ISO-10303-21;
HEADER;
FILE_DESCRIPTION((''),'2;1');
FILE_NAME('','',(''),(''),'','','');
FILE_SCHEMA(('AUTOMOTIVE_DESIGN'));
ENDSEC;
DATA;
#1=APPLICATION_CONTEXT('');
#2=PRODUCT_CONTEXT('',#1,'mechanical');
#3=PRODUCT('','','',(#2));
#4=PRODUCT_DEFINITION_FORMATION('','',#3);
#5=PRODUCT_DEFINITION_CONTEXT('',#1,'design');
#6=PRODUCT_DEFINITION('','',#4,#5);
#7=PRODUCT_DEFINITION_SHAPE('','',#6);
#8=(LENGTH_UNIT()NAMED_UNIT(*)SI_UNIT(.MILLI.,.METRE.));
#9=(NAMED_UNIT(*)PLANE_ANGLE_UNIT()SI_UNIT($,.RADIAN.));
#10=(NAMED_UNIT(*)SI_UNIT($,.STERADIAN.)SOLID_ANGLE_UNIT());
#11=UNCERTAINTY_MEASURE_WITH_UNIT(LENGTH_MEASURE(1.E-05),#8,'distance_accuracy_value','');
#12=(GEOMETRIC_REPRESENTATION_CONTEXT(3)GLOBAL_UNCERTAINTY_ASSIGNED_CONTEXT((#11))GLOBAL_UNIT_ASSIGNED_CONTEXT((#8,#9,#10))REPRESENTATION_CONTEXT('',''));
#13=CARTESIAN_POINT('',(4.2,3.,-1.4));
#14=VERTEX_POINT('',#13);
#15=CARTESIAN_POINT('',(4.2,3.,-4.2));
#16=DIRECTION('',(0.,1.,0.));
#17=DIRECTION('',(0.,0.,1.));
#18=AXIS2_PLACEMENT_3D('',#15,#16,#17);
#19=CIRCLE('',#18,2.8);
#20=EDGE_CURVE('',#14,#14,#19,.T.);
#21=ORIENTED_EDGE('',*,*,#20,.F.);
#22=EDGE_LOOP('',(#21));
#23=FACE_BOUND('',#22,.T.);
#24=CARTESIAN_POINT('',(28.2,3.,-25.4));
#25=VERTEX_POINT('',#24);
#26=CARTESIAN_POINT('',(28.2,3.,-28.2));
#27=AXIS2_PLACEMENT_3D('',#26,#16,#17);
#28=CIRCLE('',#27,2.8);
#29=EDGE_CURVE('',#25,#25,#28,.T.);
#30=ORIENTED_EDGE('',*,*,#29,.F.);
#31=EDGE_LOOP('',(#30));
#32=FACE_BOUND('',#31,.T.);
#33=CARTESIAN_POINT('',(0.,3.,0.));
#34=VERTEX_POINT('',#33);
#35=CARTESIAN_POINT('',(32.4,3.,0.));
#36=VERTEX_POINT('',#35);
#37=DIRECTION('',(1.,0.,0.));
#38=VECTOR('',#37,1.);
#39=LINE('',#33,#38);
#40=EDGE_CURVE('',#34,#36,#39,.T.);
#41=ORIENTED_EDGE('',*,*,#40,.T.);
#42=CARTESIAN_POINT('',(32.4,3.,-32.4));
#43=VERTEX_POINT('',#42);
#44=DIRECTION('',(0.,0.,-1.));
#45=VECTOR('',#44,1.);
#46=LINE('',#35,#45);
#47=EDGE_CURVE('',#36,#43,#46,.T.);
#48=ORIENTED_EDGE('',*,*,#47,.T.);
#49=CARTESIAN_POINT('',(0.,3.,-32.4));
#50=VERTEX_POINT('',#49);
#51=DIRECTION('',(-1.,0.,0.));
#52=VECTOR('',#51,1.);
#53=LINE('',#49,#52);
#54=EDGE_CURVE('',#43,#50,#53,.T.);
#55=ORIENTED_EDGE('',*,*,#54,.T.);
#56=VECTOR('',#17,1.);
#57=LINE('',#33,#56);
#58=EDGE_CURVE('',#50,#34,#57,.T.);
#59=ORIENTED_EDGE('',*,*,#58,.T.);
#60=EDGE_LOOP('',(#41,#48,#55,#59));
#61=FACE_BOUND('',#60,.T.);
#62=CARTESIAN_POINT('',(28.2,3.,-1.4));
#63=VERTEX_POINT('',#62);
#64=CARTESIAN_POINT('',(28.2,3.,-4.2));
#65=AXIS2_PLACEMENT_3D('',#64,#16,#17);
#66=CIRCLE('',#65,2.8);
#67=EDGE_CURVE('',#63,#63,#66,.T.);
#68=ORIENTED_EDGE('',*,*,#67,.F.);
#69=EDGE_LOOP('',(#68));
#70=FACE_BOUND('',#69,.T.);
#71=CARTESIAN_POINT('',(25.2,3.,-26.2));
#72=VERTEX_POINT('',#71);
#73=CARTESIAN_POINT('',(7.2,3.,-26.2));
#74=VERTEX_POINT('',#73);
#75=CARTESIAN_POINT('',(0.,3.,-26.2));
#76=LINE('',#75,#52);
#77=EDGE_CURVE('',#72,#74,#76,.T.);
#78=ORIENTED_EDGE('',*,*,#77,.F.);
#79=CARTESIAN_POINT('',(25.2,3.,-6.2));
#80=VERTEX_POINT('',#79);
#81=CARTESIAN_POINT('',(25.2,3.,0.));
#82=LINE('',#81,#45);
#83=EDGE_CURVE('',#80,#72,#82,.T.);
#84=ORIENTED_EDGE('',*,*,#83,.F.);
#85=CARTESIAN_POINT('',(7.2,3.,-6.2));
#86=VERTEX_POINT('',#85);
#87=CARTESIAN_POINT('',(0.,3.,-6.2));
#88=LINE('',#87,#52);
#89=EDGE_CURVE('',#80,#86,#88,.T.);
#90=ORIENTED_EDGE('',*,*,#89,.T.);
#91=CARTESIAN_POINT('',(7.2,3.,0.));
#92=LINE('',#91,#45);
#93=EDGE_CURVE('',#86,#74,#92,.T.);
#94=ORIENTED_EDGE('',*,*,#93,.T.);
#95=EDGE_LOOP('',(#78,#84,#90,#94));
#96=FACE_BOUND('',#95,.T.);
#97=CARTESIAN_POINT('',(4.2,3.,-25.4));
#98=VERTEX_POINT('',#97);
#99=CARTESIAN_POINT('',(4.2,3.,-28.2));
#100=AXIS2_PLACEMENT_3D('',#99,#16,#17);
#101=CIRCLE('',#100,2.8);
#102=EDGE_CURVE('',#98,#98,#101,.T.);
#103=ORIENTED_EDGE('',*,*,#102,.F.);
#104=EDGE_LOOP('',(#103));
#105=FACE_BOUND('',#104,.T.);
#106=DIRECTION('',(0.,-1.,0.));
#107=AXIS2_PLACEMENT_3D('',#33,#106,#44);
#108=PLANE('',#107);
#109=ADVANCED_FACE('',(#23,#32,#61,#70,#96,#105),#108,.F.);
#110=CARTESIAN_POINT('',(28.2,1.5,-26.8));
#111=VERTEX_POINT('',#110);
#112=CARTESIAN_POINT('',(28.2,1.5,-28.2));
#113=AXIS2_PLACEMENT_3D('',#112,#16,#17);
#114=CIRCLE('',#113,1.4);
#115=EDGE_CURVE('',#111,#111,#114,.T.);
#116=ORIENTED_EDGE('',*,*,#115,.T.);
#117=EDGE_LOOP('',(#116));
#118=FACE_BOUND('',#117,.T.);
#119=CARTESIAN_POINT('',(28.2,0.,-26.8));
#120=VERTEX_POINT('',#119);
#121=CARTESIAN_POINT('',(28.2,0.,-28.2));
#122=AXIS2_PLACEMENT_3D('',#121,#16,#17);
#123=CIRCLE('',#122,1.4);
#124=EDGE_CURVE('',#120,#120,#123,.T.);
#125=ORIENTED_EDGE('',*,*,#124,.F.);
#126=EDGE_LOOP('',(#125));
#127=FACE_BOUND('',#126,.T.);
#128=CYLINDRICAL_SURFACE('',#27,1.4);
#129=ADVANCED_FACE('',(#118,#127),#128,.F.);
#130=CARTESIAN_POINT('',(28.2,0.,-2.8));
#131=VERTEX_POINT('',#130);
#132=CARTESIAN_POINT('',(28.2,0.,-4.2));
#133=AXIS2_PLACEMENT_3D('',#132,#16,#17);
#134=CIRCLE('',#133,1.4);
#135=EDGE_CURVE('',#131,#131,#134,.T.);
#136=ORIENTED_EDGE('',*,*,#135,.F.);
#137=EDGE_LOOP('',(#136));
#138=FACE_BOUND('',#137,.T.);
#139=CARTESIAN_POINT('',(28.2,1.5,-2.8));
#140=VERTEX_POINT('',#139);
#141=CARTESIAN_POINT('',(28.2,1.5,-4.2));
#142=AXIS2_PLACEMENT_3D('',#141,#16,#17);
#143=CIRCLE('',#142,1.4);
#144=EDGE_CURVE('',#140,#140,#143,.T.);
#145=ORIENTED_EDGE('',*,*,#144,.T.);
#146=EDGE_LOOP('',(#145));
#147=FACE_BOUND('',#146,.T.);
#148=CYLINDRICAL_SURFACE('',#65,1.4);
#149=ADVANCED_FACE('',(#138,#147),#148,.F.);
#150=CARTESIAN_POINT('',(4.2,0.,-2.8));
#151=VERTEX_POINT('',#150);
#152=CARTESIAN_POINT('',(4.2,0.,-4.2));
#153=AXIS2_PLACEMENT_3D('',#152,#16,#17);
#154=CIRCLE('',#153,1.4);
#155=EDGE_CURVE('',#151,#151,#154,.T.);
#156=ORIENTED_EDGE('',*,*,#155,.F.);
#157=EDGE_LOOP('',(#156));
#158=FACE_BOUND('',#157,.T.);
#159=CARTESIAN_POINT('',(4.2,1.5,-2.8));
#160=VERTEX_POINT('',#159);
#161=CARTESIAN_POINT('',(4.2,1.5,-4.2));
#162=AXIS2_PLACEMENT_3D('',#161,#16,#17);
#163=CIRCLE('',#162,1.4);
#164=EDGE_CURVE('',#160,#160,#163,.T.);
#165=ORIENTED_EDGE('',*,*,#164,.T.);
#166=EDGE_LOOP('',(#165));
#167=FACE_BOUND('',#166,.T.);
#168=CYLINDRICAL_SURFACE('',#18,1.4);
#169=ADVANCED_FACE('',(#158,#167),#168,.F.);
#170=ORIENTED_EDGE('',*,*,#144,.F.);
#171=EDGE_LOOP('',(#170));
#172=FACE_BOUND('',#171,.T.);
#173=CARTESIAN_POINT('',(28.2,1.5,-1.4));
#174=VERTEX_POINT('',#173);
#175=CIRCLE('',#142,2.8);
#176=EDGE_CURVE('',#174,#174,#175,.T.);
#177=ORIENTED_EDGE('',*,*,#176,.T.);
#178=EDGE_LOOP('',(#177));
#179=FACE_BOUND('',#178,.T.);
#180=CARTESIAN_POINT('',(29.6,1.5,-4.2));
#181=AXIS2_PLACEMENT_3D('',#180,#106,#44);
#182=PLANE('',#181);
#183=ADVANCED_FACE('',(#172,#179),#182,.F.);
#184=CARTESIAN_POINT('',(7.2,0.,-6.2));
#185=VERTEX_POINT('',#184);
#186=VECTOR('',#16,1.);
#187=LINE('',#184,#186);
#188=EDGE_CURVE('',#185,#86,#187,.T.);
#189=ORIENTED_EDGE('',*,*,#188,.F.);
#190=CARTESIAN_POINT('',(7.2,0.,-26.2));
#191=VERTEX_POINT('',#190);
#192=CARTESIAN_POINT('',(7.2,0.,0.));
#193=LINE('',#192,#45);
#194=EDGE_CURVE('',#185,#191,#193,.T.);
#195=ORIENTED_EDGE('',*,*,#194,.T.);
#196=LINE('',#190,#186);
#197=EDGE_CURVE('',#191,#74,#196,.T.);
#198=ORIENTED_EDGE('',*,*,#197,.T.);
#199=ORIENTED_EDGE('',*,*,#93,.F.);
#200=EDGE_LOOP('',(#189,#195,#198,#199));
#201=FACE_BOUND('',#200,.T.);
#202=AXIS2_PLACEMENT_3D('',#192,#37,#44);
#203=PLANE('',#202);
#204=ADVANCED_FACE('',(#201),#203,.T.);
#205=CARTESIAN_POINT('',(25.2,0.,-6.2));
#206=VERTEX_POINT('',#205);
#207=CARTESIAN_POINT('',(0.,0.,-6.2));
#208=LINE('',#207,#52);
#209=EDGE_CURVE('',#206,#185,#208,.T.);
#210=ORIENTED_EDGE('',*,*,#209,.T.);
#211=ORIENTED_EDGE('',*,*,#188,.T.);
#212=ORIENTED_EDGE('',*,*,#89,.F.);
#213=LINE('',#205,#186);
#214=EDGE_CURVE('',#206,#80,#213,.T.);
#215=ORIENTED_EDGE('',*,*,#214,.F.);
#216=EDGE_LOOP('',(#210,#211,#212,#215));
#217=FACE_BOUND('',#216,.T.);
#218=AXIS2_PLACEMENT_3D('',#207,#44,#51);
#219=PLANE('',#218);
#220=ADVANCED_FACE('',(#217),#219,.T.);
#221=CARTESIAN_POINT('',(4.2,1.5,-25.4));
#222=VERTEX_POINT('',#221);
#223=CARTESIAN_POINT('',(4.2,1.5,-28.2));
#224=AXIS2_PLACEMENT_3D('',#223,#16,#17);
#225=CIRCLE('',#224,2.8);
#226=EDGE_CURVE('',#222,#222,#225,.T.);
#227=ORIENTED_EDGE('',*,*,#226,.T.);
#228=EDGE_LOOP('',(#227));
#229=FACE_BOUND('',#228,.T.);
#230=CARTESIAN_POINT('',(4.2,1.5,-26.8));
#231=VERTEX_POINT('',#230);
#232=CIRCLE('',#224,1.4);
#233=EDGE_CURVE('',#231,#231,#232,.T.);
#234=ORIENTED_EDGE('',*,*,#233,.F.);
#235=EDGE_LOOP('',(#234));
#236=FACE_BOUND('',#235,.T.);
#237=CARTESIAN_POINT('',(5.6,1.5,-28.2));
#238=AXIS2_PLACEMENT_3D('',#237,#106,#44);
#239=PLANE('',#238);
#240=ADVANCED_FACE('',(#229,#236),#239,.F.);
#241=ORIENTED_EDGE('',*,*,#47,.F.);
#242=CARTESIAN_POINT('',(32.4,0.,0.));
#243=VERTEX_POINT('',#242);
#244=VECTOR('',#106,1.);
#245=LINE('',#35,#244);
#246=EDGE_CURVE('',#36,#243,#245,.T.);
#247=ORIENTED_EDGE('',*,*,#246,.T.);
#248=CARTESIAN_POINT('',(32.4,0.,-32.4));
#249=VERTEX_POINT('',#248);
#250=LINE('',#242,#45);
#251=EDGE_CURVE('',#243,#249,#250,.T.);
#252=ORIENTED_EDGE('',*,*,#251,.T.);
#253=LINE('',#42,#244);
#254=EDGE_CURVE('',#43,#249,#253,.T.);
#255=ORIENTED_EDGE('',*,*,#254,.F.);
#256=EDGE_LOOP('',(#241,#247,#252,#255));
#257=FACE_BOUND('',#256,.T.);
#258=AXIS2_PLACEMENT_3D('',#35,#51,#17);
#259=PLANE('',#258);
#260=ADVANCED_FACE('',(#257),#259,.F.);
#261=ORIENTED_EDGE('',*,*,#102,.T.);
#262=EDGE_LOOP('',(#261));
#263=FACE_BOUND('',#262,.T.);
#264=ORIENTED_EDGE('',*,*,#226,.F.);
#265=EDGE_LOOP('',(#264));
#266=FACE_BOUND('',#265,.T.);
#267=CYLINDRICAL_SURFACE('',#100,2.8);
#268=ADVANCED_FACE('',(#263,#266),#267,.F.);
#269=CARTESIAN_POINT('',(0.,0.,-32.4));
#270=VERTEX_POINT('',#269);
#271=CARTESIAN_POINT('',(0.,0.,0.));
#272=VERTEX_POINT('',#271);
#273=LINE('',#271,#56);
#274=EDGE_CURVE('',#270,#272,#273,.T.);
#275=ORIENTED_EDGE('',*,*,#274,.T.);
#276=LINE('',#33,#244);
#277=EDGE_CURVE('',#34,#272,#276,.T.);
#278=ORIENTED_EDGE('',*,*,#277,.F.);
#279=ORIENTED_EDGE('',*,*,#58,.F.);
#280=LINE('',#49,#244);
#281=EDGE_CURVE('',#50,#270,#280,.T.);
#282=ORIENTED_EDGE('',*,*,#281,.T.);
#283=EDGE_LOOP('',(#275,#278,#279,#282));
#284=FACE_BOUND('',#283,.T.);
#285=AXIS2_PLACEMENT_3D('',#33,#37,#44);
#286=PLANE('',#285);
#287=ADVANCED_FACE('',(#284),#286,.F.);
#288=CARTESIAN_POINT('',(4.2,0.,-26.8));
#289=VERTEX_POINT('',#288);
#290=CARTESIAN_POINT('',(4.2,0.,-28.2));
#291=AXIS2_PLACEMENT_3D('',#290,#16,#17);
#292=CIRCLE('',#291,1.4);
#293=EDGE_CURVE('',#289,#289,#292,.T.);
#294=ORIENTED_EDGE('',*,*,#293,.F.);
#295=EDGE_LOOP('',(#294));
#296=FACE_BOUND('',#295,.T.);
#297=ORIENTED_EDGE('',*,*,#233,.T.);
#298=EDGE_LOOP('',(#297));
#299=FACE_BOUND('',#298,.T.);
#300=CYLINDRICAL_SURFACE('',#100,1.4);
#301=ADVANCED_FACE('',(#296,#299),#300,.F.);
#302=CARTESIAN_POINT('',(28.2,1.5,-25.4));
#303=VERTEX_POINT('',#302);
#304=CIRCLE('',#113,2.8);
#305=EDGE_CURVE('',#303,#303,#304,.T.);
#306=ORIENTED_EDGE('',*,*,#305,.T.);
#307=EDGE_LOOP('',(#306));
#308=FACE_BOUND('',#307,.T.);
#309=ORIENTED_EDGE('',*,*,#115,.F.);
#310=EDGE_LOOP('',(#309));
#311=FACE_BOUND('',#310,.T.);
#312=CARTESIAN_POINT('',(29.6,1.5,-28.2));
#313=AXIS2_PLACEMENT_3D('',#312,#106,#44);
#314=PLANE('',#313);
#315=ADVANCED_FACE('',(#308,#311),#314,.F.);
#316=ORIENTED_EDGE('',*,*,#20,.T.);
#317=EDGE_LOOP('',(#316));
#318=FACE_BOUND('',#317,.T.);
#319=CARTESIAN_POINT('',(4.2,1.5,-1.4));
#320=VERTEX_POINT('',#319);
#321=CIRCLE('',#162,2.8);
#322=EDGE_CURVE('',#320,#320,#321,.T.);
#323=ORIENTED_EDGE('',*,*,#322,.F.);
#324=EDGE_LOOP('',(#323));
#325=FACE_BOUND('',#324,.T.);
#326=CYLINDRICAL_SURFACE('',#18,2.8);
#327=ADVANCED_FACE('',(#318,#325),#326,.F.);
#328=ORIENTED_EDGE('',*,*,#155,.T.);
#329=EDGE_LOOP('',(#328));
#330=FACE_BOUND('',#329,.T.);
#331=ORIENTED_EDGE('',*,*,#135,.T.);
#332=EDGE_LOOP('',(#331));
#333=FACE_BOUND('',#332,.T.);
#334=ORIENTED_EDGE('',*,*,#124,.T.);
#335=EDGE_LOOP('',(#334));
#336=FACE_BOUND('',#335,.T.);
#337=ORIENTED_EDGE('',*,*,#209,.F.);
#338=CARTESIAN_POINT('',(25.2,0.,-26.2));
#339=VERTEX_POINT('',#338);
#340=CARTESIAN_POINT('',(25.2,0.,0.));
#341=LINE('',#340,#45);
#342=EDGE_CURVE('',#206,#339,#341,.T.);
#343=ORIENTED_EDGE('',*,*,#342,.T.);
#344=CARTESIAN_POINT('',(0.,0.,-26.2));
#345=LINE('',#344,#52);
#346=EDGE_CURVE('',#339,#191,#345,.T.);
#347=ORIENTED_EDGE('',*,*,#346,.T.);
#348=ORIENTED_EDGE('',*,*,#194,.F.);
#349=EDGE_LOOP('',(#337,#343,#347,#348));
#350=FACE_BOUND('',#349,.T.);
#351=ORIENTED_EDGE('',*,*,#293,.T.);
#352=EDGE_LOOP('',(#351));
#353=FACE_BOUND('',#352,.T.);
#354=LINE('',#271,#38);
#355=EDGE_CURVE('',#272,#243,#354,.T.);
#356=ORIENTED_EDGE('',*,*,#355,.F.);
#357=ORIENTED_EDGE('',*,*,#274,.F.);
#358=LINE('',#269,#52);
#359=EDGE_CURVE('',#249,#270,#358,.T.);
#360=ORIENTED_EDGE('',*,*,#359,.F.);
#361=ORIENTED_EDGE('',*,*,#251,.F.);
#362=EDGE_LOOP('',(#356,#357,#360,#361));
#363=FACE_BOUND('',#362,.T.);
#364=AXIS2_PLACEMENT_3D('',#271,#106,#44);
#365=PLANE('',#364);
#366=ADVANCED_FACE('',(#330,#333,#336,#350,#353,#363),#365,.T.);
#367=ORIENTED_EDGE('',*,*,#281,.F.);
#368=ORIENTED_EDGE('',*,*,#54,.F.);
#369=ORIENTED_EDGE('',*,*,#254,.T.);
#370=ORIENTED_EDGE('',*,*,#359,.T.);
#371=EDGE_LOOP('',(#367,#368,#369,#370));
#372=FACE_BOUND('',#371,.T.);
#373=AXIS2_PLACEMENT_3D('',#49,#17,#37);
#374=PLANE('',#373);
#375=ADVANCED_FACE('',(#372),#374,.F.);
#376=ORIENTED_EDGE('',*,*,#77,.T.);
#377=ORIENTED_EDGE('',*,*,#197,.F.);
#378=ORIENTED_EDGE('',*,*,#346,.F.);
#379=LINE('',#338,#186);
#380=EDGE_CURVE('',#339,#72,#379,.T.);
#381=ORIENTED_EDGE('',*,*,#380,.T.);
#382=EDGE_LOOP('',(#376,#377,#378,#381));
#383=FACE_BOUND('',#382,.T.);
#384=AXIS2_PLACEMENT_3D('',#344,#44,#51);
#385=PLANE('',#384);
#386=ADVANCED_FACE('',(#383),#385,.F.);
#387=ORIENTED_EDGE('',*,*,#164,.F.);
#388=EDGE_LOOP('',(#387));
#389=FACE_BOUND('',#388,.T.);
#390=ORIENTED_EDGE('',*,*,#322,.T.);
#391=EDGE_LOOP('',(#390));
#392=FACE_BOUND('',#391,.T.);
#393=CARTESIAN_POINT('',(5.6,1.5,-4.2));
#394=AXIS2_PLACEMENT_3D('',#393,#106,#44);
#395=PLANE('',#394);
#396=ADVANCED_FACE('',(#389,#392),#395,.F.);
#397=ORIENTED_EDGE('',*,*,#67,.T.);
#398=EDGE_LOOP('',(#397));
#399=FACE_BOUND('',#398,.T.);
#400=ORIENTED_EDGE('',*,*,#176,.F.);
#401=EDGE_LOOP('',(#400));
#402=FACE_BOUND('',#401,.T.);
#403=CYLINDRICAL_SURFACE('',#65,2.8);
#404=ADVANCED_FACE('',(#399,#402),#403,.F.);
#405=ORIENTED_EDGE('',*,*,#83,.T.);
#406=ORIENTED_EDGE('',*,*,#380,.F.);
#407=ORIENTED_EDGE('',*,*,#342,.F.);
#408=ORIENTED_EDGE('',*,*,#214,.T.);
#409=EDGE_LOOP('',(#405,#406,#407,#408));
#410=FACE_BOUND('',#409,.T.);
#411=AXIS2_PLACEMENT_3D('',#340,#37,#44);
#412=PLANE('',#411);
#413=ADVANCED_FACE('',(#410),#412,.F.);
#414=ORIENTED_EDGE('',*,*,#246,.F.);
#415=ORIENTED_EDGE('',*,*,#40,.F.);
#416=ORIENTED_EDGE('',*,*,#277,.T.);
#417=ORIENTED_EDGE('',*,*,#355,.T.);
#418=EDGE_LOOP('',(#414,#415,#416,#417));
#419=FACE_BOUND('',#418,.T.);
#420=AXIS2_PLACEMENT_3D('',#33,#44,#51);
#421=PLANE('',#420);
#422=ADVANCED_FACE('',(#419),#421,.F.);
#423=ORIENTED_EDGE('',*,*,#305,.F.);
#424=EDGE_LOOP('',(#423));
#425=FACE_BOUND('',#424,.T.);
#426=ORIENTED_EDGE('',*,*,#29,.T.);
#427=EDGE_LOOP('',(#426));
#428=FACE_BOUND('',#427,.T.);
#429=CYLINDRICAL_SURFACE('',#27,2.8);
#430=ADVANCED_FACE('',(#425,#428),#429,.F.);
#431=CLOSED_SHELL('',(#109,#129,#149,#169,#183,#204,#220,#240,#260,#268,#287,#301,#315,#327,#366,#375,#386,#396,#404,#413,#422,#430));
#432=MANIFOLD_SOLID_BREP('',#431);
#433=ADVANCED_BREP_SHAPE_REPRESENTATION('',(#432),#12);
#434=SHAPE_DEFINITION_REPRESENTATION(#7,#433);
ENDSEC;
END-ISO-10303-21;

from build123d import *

# Parameters (mm, degrees)
SKETCH1_W                        = 32.4
SKETCH1_H                        = 32.4
BOSS_EXTRUDE1_DEPTH              = 3
CBORE_FOR_M1_6_SHCS1_D           = 2.8
CBORE_FOR_M1_6_SHCS1_CBORE_D     = 5.6
CBORE_FOR_M1_6_SHCS1_CBORE_DEPTH = 1.5
SKETCH5_W                        = 18
SKETCH5_H                        = 20
CUT_EXTRUDE1_DEPTH               = 46.918623673


with BuildPart() as part:
    # Sketch1 → Boss-Extrude1 (new body)
    with BuildSketch(Plane(origin=(0, 0, 0), x_dir=(1, 0, 0), z_dir=(0, 1, 0))):
        with Locations((16.2, 16.2)):
            Rectangle(SKETCH1_W, SKETCH1_H)
    extrude(amount=BOSS_EXTRUDE1_DEPTH)

    # CBORE for M1.6 SHCS1 (through all)
    with Locations(Plane(origin=(0, 3, 0), x_dir=(1, 0, 0), z_dir=(0, 1, 0))):
        with Locations((4.2, 28.2), (28.2, 28.2), (28.2, 4.2), (4.2, 4.2)):
            CounterBoreHole(CBORE_FOR_M1_6_SHCS1_D / 2, CBORE_FOR_M1_6_SHCS1_CBORE_D / 2, CBORE_FOR_M1_6_SHCS1_CBORE_DEPTH)

    # Sketch5 → Cut-Extrude1 (cut, through all)
    with BuildSketch(Plane(origin=(0, 3, 0), x_dir=(1, 0, 0), z_dir=(0, 1, 0))):
        with Locations((16.2, 16.2)):
            Rectangle(SKETCH5_W, SKETCH5_H)
    extrude(amount=-CUT_EXTRUDE1_DEPTH, mode=Mode.SUBTRACT)


solid = part.part
